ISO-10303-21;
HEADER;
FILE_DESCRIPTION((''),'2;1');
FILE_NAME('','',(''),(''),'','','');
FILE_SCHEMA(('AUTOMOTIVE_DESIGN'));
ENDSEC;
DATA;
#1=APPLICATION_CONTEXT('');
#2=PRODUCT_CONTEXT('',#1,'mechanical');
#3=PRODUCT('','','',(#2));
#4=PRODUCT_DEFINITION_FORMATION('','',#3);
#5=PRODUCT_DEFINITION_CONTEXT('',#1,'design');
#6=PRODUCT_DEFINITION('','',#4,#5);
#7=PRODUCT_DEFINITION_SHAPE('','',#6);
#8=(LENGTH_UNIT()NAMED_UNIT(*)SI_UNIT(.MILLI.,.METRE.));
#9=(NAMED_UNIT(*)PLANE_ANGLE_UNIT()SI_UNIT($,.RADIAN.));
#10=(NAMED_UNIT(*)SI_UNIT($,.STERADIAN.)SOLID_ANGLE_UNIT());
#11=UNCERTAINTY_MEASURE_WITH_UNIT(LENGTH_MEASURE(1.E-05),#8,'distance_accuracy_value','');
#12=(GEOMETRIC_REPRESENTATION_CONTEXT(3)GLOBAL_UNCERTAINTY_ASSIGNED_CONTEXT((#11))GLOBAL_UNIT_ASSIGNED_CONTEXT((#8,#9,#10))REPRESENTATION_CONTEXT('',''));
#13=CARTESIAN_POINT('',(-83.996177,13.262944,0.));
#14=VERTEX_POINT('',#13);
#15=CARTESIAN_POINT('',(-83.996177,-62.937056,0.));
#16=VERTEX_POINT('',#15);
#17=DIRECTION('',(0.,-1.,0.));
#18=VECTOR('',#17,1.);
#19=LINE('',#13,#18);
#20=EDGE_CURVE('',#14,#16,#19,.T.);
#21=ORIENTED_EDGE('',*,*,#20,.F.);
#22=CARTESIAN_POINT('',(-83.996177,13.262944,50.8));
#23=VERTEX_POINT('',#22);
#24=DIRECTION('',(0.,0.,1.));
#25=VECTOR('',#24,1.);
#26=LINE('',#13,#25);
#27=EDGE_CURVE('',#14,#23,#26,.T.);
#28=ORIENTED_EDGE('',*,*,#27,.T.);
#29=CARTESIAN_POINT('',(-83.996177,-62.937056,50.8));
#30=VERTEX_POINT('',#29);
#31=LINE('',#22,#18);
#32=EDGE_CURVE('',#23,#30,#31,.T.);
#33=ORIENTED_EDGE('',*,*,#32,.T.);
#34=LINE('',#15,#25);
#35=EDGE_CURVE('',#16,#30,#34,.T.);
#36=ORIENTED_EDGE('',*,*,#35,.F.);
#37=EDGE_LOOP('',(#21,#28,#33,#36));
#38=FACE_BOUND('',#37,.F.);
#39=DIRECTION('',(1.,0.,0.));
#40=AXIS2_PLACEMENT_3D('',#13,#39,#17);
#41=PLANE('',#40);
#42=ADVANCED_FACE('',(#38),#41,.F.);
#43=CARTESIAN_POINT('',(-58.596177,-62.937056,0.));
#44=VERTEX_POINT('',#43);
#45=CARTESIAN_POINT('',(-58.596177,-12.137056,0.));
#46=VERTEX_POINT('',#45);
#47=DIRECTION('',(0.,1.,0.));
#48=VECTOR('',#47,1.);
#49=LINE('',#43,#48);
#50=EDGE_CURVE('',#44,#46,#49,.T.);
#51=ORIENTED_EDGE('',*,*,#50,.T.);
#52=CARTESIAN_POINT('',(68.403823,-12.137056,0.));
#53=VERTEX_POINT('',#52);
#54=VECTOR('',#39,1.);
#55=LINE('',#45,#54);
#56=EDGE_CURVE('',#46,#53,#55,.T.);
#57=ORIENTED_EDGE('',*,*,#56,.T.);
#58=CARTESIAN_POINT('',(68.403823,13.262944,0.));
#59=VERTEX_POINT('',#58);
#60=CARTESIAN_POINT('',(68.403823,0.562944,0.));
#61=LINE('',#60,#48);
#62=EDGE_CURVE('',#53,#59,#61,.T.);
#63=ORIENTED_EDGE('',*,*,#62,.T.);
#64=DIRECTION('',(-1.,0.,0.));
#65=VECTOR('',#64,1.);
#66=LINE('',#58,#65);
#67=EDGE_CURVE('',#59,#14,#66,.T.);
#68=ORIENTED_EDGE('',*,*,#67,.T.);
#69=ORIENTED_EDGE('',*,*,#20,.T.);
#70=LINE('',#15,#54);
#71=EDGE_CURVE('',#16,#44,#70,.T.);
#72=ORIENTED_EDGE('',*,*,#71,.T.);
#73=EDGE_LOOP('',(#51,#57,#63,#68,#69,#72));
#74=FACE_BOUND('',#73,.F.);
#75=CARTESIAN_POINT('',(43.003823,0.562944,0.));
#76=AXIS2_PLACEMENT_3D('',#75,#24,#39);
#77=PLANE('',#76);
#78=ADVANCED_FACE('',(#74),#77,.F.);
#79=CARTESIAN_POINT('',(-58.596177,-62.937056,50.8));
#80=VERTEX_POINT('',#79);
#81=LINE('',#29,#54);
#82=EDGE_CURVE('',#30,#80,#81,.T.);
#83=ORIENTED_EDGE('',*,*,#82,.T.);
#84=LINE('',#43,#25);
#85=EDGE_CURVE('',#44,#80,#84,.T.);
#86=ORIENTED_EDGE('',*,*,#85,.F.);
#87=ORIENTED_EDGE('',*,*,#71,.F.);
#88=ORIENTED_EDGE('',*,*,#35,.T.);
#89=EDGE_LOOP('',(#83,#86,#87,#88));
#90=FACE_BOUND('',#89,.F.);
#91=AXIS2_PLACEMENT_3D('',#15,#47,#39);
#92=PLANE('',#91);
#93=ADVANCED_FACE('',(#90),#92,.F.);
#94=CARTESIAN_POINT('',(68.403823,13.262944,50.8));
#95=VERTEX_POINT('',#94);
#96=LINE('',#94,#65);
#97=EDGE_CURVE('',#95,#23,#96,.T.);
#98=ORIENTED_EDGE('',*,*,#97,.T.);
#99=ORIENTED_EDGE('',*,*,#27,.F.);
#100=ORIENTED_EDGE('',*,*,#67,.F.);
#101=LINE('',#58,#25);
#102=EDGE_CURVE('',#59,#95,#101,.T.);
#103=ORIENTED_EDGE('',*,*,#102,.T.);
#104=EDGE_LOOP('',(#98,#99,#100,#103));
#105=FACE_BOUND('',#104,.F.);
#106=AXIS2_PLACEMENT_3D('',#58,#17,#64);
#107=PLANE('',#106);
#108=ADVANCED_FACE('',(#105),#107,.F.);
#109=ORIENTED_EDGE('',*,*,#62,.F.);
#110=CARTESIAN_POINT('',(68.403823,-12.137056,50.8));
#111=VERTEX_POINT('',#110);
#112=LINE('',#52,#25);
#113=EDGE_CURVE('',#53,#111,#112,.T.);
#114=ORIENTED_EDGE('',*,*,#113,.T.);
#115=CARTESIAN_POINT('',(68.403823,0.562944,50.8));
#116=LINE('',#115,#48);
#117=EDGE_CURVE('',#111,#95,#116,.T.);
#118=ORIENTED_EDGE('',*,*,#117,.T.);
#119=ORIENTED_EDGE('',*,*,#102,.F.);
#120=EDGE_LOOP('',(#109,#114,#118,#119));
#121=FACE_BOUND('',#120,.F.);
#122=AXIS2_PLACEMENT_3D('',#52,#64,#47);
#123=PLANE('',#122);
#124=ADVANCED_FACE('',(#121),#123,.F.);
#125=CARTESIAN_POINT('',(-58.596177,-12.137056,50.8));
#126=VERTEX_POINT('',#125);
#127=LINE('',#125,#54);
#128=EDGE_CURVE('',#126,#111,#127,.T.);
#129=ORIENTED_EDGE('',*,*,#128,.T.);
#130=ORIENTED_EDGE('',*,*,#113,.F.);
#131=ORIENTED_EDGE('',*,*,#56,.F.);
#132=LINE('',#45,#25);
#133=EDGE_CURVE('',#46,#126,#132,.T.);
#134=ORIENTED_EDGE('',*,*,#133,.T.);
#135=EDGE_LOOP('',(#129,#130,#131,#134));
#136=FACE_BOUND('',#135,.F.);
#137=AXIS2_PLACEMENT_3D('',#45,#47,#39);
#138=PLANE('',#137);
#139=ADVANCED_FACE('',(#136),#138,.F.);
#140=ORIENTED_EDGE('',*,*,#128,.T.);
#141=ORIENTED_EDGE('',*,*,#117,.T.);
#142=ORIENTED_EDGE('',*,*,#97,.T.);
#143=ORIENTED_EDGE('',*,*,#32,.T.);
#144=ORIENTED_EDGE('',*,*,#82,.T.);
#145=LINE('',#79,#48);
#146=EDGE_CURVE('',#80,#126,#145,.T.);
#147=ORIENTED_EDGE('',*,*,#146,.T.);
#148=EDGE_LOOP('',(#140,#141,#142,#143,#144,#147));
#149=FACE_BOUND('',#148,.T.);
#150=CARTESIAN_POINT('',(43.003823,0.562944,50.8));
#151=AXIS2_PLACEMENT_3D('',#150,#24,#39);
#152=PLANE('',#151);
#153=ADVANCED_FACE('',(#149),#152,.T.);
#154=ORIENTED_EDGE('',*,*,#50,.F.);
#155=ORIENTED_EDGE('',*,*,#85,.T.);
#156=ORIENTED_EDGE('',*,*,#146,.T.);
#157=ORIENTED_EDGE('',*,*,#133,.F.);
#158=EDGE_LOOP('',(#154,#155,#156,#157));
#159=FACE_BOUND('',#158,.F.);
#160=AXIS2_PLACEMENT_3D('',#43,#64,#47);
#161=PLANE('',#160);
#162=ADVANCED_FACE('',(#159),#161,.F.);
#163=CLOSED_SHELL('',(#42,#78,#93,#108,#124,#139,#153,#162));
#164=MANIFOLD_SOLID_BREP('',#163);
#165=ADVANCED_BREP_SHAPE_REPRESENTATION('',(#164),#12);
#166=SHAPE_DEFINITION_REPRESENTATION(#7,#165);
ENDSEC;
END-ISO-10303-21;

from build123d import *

# Parameters (mm, degrees)
F0_W     = 50.8
F0_H     = 25.4
F1_DEPTH = 50.8


with BuildPart() as f1:
    # F0 (on Top) → F1 (new body)
    with BuildSketch(Plane.XY):
        with Locations((43.003823, 0.562944)):
            Rectangle(F0_W, F0_H)
        Polygon((-83.996177, 13.262944), (-83.996177, -62.937056), (-58.596177, -62.937056), (-58.596177, -12.137056), (17.603823, -12.137056), (17.603823, 13.262944), align=None)
    extrude(amount=F1_DEPTH)


solid = f1.part
